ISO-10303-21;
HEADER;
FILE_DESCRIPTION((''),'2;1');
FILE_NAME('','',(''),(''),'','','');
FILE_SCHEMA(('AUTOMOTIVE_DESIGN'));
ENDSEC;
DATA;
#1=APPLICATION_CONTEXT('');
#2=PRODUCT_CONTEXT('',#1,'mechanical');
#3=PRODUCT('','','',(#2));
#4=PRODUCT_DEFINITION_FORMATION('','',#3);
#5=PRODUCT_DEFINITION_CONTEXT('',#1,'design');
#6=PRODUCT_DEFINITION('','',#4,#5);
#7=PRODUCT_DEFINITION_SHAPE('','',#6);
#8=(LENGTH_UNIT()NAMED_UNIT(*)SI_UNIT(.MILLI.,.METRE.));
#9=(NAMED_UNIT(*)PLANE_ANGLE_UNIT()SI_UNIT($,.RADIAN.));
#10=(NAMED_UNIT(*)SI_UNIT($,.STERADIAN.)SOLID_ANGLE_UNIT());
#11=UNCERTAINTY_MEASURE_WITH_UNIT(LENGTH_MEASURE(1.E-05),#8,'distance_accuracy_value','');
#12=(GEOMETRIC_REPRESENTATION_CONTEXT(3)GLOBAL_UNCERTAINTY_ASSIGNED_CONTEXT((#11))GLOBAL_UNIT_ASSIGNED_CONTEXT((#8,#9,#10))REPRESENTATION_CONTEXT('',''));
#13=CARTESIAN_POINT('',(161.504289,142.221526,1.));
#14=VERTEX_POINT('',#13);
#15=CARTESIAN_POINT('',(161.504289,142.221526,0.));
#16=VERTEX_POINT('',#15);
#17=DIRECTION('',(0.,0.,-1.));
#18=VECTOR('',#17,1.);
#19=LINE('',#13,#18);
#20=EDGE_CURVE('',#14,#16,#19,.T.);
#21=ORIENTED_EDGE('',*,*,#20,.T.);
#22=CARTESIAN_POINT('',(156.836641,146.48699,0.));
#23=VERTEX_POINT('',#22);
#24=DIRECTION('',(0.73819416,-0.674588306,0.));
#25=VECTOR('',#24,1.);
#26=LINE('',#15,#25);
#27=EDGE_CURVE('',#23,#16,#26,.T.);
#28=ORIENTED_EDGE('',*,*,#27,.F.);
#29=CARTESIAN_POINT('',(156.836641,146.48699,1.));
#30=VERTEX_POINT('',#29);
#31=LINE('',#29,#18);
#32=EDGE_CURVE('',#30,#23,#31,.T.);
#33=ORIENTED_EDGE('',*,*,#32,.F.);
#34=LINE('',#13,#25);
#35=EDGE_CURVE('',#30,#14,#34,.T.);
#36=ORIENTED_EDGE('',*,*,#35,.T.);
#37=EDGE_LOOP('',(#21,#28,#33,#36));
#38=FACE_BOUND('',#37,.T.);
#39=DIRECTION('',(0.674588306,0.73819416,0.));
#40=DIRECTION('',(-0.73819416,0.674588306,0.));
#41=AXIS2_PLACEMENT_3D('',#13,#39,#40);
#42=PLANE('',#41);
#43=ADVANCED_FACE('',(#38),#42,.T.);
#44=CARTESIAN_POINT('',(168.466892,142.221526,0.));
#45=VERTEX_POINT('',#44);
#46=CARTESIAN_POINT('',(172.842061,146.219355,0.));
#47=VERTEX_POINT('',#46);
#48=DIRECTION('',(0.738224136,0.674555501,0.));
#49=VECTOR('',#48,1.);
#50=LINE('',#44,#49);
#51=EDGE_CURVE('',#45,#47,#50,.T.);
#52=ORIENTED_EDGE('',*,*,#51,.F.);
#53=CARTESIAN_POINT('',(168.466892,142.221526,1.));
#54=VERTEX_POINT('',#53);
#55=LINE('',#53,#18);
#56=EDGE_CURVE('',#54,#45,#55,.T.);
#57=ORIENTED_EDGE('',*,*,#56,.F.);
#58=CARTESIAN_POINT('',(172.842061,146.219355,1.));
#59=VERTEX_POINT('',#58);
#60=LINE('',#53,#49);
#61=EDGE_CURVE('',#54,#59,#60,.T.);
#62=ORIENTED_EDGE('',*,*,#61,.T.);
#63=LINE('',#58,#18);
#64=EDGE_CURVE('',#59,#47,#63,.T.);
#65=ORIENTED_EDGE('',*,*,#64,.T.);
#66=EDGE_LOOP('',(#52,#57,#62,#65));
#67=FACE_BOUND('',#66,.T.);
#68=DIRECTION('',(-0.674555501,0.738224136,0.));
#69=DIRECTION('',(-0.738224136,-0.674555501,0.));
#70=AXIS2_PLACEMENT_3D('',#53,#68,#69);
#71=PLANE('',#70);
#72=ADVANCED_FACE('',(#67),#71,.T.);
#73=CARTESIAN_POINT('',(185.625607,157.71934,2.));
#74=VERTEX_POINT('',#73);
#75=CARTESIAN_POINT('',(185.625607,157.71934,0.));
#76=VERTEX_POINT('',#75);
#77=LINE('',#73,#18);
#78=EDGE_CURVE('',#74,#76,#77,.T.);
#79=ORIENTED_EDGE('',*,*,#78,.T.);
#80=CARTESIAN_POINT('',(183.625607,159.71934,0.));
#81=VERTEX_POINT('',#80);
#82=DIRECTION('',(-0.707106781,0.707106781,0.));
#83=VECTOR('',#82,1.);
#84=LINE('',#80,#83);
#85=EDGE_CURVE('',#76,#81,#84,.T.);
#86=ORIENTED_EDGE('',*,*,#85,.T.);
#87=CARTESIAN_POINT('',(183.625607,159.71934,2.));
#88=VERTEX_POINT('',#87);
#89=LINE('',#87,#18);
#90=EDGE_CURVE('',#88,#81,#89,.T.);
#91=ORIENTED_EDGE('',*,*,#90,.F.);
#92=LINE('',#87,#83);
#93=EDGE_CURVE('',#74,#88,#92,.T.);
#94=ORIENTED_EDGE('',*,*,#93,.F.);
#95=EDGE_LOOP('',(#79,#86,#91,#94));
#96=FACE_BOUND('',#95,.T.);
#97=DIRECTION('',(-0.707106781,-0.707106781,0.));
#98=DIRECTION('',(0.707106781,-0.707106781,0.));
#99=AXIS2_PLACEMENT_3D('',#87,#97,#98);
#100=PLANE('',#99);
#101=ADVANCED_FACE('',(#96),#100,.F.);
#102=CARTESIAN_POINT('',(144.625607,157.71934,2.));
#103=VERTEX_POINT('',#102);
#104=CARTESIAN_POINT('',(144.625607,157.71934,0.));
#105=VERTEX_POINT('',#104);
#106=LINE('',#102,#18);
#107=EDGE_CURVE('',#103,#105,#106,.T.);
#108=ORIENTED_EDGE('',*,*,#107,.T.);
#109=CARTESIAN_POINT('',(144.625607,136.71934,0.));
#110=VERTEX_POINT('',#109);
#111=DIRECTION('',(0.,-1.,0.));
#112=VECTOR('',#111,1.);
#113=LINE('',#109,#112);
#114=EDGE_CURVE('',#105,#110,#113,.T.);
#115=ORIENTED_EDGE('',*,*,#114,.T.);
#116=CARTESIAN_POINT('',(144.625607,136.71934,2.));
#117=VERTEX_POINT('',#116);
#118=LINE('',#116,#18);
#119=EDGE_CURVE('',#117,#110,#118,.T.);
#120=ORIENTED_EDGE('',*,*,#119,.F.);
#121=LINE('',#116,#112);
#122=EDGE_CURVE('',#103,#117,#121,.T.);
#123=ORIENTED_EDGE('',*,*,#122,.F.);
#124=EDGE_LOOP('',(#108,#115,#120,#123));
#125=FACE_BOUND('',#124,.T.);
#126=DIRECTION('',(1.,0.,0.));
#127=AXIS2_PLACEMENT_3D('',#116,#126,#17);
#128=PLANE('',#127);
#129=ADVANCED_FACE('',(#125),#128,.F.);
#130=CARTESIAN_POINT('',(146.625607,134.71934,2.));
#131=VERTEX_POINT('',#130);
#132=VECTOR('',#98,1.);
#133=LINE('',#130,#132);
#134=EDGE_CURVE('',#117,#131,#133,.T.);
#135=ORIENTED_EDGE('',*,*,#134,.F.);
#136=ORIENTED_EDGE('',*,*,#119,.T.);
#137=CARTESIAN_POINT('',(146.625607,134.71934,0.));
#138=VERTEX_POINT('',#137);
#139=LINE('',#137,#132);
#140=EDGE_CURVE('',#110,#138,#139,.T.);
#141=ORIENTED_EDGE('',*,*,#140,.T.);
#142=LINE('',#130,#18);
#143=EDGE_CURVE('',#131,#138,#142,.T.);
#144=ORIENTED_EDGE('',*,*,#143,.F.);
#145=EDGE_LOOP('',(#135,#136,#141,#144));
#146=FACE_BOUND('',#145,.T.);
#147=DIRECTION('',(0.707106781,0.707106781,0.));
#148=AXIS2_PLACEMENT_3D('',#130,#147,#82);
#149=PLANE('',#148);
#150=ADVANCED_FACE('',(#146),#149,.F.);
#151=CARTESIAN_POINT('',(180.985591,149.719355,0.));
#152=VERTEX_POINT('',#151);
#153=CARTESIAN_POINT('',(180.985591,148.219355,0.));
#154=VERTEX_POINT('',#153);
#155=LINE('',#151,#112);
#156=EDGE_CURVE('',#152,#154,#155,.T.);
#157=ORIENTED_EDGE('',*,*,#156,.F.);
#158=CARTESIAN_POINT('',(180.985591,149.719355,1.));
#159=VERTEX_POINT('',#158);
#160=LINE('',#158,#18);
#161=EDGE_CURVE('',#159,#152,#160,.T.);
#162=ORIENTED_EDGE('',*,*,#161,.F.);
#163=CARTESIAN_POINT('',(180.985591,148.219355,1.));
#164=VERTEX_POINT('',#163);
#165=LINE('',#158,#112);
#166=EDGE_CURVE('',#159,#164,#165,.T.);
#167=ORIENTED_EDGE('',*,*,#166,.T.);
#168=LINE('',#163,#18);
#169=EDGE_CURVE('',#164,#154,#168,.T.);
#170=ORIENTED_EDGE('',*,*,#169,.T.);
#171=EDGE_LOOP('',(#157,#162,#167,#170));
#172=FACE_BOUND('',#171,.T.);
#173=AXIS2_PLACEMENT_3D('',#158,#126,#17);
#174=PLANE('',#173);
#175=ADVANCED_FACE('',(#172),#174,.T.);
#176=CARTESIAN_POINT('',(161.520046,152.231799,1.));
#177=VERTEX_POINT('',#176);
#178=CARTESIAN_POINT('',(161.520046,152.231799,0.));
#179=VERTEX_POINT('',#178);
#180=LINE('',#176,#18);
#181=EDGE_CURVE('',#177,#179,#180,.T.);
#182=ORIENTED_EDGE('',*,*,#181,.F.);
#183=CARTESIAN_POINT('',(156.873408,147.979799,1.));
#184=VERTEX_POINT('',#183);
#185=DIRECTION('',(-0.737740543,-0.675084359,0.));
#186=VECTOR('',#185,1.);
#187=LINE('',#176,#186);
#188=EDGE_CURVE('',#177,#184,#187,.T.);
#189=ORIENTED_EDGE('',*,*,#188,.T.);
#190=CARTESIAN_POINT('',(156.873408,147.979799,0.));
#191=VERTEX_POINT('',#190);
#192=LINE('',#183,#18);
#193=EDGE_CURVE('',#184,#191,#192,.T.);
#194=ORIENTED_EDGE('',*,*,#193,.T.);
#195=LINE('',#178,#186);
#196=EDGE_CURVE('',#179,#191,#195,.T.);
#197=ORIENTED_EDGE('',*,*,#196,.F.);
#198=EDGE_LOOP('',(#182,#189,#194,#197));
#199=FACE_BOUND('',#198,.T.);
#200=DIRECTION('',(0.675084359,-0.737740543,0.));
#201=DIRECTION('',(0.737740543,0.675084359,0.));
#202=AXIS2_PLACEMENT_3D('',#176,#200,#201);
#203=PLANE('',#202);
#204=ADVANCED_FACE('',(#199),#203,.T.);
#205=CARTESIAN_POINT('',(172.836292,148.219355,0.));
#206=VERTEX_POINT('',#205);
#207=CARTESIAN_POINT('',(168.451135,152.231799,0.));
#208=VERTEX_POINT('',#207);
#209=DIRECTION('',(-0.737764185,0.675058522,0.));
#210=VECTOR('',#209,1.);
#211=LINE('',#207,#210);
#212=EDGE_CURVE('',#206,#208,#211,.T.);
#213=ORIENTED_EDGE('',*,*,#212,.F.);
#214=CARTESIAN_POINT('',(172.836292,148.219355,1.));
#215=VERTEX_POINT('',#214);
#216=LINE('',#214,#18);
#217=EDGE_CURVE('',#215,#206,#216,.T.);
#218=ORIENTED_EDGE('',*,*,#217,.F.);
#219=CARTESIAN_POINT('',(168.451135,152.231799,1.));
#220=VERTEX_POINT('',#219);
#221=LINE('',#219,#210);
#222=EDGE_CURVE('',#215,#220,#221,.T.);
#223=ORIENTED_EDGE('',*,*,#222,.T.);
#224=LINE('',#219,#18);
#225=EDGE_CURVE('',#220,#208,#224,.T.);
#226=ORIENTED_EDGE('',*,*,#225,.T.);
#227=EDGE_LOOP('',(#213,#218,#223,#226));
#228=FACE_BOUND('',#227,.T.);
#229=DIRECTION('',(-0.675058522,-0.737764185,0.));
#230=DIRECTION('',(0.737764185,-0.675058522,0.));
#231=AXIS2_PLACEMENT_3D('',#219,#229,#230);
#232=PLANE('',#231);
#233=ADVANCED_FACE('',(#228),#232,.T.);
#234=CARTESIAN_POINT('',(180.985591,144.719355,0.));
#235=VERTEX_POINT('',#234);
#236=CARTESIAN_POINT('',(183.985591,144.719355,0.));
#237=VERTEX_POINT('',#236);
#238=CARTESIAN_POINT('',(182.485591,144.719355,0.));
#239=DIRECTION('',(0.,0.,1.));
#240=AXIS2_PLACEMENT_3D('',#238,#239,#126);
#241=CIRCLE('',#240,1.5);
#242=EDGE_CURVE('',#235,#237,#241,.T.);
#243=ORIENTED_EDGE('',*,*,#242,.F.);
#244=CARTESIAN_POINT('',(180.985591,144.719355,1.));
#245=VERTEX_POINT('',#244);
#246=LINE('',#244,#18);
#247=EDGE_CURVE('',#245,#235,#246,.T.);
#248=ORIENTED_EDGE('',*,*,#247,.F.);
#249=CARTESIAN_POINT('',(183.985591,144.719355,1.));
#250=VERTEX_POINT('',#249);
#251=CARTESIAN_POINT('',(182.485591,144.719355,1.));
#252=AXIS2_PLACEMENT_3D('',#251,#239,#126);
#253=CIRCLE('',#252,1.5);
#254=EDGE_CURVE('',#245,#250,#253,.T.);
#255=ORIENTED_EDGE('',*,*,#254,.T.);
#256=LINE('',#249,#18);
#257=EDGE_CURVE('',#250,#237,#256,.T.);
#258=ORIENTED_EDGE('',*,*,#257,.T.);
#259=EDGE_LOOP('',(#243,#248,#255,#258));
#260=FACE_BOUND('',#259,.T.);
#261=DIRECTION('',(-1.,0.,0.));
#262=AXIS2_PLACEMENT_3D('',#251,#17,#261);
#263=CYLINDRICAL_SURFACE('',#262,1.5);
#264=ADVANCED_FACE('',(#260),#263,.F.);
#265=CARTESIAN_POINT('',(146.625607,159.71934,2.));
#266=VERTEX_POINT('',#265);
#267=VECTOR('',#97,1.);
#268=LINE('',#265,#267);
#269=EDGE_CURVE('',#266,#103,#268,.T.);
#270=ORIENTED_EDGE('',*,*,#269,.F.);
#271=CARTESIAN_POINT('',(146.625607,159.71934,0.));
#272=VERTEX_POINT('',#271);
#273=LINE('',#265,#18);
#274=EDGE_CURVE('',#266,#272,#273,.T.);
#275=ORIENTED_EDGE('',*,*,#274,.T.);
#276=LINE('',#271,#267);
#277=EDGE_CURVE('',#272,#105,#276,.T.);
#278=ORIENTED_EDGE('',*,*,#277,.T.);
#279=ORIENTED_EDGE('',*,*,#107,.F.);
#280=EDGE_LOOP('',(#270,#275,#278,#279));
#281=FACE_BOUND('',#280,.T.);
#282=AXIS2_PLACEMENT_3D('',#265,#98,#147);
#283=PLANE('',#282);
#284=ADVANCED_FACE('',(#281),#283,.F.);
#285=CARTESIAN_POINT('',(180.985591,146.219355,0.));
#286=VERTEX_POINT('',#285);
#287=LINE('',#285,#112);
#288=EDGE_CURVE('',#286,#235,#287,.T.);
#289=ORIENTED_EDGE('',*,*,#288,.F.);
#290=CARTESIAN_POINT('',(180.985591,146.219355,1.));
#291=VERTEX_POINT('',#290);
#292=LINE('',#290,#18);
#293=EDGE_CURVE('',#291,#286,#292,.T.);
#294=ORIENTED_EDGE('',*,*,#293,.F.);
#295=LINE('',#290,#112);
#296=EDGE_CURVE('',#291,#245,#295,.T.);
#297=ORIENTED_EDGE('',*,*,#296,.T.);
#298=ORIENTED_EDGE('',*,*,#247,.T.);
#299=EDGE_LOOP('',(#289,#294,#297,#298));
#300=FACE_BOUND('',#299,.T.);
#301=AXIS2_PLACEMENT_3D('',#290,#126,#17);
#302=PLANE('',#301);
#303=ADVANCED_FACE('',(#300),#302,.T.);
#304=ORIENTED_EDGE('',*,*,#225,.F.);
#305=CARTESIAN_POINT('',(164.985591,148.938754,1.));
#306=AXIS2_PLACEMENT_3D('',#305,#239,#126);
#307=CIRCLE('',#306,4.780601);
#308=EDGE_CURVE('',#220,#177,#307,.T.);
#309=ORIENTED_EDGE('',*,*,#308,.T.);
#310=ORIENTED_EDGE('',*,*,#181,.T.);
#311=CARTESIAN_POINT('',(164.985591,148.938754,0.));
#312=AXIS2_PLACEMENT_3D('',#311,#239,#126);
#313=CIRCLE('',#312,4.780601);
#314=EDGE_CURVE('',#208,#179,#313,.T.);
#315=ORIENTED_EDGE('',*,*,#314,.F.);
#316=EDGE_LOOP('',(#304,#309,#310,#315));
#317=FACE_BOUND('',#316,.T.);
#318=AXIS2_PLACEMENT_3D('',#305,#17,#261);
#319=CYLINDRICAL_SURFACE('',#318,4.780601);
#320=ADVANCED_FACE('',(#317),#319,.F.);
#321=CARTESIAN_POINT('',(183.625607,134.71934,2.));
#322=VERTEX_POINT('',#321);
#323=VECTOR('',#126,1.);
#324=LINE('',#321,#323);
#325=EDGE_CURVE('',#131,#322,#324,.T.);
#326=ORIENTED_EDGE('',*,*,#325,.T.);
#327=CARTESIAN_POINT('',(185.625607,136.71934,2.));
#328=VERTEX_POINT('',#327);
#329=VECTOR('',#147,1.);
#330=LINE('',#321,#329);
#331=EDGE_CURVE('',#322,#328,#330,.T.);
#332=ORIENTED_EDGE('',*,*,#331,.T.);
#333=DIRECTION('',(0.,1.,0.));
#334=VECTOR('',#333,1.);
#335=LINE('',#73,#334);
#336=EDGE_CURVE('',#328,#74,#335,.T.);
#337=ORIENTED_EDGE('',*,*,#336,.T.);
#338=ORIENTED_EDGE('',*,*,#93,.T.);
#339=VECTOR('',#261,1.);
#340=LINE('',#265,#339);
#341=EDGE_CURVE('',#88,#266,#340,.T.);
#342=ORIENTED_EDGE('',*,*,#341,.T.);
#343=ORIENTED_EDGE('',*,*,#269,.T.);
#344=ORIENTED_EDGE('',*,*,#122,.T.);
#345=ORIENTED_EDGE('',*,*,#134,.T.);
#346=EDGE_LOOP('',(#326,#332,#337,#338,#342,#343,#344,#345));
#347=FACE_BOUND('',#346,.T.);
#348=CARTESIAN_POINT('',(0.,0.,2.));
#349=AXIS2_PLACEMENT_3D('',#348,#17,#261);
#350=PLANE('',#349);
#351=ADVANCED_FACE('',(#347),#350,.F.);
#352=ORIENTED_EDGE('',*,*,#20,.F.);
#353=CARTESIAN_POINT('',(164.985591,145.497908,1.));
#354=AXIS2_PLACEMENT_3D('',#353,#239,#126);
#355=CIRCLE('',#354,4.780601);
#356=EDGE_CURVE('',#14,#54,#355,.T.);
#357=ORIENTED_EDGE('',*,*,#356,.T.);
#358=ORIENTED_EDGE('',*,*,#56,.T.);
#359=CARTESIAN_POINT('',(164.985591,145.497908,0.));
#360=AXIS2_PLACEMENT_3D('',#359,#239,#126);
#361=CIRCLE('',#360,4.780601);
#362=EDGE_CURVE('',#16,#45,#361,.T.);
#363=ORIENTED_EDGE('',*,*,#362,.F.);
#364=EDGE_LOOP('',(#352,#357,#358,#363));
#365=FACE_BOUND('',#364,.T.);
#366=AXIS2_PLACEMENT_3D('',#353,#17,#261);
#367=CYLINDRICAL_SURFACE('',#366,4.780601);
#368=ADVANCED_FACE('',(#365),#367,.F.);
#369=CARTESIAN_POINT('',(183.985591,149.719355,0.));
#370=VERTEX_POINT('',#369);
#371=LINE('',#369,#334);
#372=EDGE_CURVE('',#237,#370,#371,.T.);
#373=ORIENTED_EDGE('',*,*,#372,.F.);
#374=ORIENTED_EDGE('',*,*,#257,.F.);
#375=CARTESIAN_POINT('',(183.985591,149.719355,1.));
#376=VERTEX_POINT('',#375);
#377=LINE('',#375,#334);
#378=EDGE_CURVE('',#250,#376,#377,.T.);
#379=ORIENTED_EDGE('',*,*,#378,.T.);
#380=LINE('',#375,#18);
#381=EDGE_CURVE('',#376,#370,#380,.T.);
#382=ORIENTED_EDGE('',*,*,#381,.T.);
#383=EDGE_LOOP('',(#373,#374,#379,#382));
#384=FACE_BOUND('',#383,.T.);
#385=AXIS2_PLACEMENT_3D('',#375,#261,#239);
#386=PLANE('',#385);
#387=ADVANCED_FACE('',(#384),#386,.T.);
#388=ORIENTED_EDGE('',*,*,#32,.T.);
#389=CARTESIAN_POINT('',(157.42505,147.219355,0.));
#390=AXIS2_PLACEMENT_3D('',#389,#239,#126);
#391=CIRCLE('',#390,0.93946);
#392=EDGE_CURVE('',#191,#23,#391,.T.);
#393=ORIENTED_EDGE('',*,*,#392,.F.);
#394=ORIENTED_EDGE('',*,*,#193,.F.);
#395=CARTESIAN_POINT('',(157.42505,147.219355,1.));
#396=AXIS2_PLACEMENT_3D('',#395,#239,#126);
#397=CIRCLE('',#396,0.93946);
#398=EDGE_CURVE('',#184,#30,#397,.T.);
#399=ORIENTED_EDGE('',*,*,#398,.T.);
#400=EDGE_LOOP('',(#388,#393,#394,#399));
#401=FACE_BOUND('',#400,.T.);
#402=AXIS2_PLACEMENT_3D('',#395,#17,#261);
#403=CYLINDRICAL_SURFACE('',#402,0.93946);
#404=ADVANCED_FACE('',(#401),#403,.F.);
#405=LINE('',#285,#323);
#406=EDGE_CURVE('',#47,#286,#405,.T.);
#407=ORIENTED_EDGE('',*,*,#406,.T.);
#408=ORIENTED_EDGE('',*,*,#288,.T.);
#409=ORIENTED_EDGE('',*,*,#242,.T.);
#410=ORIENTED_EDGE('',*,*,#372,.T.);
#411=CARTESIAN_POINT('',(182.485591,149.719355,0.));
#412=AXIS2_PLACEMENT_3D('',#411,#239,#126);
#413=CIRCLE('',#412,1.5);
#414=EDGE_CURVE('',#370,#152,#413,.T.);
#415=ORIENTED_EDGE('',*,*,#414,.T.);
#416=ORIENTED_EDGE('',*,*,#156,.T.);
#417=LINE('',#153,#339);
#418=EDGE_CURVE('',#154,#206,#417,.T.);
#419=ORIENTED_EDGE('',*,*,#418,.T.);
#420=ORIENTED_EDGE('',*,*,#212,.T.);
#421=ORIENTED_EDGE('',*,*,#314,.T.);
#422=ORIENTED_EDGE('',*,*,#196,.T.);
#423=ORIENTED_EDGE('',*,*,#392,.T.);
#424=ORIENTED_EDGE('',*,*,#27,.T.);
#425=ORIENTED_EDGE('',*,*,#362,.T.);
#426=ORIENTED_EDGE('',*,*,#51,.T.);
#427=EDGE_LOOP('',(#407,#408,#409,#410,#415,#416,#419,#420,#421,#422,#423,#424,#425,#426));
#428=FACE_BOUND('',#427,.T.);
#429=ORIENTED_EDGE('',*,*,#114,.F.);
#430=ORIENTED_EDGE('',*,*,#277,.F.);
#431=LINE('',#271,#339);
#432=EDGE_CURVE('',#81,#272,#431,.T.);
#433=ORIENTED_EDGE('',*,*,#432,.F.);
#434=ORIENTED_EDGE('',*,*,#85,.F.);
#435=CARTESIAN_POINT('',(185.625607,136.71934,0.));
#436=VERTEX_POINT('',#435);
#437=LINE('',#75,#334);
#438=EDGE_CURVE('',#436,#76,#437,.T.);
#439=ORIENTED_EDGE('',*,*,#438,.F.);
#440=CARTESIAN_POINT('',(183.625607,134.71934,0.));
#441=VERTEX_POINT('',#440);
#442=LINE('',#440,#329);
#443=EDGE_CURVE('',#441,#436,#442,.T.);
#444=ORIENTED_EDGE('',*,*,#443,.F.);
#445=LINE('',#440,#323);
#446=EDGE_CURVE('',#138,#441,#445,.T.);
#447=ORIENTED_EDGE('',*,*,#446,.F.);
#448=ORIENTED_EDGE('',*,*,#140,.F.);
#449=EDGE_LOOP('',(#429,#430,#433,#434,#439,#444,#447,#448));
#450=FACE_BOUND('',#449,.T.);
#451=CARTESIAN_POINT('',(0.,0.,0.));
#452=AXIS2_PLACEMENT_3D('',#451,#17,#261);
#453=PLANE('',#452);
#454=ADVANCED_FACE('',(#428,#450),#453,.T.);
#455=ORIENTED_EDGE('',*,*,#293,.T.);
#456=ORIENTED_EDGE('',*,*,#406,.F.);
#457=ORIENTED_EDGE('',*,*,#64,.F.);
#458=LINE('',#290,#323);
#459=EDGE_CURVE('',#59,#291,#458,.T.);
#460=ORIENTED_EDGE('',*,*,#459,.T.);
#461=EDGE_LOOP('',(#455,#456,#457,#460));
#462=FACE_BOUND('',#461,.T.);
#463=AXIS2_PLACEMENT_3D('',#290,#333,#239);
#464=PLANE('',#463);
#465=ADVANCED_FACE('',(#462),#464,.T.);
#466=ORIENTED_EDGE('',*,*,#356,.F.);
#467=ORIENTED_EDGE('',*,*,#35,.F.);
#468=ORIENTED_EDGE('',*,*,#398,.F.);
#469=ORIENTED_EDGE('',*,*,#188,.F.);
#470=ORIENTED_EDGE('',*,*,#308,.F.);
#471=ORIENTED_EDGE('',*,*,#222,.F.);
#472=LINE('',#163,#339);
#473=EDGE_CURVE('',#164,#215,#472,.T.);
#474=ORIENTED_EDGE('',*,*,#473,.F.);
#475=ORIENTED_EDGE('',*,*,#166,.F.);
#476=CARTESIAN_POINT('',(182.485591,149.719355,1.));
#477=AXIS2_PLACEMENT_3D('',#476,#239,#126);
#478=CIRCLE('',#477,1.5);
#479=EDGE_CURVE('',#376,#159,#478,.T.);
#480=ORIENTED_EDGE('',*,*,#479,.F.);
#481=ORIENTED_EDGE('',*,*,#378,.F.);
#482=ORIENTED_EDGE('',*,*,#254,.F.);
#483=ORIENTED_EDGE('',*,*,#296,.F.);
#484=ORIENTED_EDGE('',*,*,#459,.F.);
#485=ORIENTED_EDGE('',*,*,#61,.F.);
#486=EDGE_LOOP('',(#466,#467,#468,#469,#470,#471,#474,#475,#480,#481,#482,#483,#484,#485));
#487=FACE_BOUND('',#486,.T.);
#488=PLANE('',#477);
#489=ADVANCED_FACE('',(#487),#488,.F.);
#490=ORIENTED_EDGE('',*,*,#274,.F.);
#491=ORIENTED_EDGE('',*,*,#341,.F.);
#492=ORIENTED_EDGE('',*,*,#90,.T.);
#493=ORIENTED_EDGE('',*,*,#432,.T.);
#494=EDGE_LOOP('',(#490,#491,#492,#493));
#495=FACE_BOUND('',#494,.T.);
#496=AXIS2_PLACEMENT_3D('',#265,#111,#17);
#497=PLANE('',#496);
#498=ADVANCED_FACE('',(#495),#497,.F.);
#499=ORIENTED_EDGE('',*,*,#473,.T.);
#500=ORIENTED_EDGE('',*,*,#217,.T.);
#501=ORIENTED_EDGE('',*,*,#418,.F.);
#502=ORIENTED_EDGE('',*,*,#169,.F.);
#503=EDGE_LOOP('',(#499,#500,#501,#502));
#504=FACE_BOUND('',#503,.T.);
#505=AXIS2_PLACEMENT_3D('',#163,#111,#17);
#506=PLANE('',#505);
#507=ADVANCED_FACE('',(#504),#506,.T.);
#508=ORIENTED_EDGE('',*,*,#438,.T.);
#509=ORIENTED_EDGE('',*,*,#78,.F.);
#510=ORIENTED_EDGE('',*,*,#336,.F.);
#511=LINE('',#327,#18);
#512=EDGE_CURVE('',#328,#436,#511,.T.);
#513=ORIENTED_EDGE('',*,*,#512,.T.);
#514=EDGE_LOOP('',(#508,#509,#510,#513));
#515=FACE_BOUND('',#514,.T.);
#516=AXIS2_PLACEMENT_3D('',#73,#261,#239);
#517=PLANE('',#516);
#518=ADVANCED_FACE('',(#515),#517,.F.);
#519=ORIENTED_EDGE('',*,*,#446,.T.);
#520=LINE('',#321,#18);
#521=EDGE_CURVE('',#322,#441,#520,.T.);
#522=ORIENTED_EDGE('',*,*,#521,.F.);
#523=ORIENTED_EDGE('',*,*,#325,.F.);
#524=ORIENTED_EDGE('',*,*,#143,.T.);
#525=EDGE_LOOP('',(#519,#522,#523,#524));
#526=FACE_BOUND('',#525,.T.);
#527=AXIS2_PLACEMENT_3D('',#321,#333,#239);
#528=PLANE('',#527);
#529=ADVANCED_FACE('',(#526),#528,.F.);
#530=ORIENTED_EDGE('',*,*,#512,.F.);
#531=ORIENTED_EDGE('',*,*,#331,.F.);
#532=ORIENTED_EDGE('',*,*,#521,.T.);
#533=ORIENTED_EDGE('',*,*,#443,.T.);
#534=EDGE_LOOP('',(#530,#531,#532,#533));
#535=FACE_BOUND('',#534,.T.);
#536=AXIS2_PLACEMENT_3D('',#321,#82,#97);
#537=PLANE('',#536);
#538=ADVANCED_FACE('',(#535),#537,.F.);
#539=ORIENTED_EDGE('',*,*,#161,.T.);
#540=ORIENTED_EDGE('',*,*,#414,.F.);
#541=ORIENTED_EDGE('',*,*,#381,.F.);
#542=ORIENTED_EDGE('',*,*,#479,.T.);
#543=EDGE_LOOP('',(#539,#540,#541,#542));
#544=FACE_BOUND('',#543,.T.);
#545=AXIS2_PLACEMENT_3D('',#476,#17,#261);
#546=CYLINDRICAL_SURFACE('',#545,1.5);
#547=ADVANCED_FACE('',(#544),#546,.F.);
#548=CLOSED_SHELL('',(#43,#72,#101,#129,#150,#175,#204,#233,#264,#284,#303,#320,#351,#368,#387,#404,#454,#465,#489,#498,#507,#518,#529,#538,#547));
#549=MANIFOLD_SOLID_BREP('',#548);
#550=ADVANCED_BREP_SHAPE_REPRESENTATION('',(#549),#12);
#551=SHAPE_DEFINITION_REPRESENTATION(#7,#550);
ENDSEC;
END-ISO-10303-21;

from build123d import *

# Parameters (mm, degrees)
BOSS_EXTRUDE1_DEPTH = 2
CUT_EXTRUDE2_DEPTH  = 1


with BuildPart() as part:
    # Sketch3 → Boss-Extrude1 (new body)
    with BuildSketch(Plane.XY):
        Polygon((146.625606574, 159.719339874), (183.625606574, 159.719339874), (185.625606574, 157.719339874), (185.625606574, 136.719339874), (183.625606574, 134.719339874), (146.625606574, 134.719339874), (144.625606574, 136.719339874), (144.625606574, 157.719339874), align=None)
    extrude(amount=BOSS_EXTRUDE1_DEPTH)

    # Sketch4 → Cut-Extrude2 (cut)
    with BuildSketch(Plane.XY):
        with BuildLine():
            Line((183.985590549, 149.719355145), (183.985590549, 144.719355145))
            ThreePointArc((183.985590549, 144.719355145), (182.485590549, 143.219355145), (180.985590549, 144.719355145))
            Line((180.985590549, 144.719355145), (180.985590549, 146.219355145))
            Line((180.985590549, 146.219355145), (172.842061199, 146.219355145))
            Line((172.842061199, 146.219355145), (168.466892344, 142.221525657))
            ThreePointArc((168.466892344, 142.221525657), (164.985590549, 140.717307295), (161.504288754, 142.221525657))
            Line((161.504288754, 142.221525657), (156.8366409, 146.486989717))
            ThreePointArc((156.8366409, 146.486989717), (156.485875357, 147.242486304), (156.873407646, 147.979799185))
            Line((156.873407646, 147.979799185), (161.520046065, 152.231799364))
            ThreePointArc((161.520046065, 152.231799364), (164.985590549, 153.719355145), (168.451135032, 152.231799364))
            Line((168.451135032, 152.231799364), (172.836292086, 148.219355145))
            Line((172.836292086, 148.219355145), (180.985590549, 148.219355145))
            Line((180.985590549, 148.219355145), (180.985590549, 149.719355145))
            ThreePointArc((180.985590549, 149.719355145), (182.485590549, 151.219355145), (183.985590549, 149.719355145))
        make_face()
    extrude(amount=CUT_EXTRUDE2_DEPTH, mode=Mode.SUBTRACT)


solid = part.part
